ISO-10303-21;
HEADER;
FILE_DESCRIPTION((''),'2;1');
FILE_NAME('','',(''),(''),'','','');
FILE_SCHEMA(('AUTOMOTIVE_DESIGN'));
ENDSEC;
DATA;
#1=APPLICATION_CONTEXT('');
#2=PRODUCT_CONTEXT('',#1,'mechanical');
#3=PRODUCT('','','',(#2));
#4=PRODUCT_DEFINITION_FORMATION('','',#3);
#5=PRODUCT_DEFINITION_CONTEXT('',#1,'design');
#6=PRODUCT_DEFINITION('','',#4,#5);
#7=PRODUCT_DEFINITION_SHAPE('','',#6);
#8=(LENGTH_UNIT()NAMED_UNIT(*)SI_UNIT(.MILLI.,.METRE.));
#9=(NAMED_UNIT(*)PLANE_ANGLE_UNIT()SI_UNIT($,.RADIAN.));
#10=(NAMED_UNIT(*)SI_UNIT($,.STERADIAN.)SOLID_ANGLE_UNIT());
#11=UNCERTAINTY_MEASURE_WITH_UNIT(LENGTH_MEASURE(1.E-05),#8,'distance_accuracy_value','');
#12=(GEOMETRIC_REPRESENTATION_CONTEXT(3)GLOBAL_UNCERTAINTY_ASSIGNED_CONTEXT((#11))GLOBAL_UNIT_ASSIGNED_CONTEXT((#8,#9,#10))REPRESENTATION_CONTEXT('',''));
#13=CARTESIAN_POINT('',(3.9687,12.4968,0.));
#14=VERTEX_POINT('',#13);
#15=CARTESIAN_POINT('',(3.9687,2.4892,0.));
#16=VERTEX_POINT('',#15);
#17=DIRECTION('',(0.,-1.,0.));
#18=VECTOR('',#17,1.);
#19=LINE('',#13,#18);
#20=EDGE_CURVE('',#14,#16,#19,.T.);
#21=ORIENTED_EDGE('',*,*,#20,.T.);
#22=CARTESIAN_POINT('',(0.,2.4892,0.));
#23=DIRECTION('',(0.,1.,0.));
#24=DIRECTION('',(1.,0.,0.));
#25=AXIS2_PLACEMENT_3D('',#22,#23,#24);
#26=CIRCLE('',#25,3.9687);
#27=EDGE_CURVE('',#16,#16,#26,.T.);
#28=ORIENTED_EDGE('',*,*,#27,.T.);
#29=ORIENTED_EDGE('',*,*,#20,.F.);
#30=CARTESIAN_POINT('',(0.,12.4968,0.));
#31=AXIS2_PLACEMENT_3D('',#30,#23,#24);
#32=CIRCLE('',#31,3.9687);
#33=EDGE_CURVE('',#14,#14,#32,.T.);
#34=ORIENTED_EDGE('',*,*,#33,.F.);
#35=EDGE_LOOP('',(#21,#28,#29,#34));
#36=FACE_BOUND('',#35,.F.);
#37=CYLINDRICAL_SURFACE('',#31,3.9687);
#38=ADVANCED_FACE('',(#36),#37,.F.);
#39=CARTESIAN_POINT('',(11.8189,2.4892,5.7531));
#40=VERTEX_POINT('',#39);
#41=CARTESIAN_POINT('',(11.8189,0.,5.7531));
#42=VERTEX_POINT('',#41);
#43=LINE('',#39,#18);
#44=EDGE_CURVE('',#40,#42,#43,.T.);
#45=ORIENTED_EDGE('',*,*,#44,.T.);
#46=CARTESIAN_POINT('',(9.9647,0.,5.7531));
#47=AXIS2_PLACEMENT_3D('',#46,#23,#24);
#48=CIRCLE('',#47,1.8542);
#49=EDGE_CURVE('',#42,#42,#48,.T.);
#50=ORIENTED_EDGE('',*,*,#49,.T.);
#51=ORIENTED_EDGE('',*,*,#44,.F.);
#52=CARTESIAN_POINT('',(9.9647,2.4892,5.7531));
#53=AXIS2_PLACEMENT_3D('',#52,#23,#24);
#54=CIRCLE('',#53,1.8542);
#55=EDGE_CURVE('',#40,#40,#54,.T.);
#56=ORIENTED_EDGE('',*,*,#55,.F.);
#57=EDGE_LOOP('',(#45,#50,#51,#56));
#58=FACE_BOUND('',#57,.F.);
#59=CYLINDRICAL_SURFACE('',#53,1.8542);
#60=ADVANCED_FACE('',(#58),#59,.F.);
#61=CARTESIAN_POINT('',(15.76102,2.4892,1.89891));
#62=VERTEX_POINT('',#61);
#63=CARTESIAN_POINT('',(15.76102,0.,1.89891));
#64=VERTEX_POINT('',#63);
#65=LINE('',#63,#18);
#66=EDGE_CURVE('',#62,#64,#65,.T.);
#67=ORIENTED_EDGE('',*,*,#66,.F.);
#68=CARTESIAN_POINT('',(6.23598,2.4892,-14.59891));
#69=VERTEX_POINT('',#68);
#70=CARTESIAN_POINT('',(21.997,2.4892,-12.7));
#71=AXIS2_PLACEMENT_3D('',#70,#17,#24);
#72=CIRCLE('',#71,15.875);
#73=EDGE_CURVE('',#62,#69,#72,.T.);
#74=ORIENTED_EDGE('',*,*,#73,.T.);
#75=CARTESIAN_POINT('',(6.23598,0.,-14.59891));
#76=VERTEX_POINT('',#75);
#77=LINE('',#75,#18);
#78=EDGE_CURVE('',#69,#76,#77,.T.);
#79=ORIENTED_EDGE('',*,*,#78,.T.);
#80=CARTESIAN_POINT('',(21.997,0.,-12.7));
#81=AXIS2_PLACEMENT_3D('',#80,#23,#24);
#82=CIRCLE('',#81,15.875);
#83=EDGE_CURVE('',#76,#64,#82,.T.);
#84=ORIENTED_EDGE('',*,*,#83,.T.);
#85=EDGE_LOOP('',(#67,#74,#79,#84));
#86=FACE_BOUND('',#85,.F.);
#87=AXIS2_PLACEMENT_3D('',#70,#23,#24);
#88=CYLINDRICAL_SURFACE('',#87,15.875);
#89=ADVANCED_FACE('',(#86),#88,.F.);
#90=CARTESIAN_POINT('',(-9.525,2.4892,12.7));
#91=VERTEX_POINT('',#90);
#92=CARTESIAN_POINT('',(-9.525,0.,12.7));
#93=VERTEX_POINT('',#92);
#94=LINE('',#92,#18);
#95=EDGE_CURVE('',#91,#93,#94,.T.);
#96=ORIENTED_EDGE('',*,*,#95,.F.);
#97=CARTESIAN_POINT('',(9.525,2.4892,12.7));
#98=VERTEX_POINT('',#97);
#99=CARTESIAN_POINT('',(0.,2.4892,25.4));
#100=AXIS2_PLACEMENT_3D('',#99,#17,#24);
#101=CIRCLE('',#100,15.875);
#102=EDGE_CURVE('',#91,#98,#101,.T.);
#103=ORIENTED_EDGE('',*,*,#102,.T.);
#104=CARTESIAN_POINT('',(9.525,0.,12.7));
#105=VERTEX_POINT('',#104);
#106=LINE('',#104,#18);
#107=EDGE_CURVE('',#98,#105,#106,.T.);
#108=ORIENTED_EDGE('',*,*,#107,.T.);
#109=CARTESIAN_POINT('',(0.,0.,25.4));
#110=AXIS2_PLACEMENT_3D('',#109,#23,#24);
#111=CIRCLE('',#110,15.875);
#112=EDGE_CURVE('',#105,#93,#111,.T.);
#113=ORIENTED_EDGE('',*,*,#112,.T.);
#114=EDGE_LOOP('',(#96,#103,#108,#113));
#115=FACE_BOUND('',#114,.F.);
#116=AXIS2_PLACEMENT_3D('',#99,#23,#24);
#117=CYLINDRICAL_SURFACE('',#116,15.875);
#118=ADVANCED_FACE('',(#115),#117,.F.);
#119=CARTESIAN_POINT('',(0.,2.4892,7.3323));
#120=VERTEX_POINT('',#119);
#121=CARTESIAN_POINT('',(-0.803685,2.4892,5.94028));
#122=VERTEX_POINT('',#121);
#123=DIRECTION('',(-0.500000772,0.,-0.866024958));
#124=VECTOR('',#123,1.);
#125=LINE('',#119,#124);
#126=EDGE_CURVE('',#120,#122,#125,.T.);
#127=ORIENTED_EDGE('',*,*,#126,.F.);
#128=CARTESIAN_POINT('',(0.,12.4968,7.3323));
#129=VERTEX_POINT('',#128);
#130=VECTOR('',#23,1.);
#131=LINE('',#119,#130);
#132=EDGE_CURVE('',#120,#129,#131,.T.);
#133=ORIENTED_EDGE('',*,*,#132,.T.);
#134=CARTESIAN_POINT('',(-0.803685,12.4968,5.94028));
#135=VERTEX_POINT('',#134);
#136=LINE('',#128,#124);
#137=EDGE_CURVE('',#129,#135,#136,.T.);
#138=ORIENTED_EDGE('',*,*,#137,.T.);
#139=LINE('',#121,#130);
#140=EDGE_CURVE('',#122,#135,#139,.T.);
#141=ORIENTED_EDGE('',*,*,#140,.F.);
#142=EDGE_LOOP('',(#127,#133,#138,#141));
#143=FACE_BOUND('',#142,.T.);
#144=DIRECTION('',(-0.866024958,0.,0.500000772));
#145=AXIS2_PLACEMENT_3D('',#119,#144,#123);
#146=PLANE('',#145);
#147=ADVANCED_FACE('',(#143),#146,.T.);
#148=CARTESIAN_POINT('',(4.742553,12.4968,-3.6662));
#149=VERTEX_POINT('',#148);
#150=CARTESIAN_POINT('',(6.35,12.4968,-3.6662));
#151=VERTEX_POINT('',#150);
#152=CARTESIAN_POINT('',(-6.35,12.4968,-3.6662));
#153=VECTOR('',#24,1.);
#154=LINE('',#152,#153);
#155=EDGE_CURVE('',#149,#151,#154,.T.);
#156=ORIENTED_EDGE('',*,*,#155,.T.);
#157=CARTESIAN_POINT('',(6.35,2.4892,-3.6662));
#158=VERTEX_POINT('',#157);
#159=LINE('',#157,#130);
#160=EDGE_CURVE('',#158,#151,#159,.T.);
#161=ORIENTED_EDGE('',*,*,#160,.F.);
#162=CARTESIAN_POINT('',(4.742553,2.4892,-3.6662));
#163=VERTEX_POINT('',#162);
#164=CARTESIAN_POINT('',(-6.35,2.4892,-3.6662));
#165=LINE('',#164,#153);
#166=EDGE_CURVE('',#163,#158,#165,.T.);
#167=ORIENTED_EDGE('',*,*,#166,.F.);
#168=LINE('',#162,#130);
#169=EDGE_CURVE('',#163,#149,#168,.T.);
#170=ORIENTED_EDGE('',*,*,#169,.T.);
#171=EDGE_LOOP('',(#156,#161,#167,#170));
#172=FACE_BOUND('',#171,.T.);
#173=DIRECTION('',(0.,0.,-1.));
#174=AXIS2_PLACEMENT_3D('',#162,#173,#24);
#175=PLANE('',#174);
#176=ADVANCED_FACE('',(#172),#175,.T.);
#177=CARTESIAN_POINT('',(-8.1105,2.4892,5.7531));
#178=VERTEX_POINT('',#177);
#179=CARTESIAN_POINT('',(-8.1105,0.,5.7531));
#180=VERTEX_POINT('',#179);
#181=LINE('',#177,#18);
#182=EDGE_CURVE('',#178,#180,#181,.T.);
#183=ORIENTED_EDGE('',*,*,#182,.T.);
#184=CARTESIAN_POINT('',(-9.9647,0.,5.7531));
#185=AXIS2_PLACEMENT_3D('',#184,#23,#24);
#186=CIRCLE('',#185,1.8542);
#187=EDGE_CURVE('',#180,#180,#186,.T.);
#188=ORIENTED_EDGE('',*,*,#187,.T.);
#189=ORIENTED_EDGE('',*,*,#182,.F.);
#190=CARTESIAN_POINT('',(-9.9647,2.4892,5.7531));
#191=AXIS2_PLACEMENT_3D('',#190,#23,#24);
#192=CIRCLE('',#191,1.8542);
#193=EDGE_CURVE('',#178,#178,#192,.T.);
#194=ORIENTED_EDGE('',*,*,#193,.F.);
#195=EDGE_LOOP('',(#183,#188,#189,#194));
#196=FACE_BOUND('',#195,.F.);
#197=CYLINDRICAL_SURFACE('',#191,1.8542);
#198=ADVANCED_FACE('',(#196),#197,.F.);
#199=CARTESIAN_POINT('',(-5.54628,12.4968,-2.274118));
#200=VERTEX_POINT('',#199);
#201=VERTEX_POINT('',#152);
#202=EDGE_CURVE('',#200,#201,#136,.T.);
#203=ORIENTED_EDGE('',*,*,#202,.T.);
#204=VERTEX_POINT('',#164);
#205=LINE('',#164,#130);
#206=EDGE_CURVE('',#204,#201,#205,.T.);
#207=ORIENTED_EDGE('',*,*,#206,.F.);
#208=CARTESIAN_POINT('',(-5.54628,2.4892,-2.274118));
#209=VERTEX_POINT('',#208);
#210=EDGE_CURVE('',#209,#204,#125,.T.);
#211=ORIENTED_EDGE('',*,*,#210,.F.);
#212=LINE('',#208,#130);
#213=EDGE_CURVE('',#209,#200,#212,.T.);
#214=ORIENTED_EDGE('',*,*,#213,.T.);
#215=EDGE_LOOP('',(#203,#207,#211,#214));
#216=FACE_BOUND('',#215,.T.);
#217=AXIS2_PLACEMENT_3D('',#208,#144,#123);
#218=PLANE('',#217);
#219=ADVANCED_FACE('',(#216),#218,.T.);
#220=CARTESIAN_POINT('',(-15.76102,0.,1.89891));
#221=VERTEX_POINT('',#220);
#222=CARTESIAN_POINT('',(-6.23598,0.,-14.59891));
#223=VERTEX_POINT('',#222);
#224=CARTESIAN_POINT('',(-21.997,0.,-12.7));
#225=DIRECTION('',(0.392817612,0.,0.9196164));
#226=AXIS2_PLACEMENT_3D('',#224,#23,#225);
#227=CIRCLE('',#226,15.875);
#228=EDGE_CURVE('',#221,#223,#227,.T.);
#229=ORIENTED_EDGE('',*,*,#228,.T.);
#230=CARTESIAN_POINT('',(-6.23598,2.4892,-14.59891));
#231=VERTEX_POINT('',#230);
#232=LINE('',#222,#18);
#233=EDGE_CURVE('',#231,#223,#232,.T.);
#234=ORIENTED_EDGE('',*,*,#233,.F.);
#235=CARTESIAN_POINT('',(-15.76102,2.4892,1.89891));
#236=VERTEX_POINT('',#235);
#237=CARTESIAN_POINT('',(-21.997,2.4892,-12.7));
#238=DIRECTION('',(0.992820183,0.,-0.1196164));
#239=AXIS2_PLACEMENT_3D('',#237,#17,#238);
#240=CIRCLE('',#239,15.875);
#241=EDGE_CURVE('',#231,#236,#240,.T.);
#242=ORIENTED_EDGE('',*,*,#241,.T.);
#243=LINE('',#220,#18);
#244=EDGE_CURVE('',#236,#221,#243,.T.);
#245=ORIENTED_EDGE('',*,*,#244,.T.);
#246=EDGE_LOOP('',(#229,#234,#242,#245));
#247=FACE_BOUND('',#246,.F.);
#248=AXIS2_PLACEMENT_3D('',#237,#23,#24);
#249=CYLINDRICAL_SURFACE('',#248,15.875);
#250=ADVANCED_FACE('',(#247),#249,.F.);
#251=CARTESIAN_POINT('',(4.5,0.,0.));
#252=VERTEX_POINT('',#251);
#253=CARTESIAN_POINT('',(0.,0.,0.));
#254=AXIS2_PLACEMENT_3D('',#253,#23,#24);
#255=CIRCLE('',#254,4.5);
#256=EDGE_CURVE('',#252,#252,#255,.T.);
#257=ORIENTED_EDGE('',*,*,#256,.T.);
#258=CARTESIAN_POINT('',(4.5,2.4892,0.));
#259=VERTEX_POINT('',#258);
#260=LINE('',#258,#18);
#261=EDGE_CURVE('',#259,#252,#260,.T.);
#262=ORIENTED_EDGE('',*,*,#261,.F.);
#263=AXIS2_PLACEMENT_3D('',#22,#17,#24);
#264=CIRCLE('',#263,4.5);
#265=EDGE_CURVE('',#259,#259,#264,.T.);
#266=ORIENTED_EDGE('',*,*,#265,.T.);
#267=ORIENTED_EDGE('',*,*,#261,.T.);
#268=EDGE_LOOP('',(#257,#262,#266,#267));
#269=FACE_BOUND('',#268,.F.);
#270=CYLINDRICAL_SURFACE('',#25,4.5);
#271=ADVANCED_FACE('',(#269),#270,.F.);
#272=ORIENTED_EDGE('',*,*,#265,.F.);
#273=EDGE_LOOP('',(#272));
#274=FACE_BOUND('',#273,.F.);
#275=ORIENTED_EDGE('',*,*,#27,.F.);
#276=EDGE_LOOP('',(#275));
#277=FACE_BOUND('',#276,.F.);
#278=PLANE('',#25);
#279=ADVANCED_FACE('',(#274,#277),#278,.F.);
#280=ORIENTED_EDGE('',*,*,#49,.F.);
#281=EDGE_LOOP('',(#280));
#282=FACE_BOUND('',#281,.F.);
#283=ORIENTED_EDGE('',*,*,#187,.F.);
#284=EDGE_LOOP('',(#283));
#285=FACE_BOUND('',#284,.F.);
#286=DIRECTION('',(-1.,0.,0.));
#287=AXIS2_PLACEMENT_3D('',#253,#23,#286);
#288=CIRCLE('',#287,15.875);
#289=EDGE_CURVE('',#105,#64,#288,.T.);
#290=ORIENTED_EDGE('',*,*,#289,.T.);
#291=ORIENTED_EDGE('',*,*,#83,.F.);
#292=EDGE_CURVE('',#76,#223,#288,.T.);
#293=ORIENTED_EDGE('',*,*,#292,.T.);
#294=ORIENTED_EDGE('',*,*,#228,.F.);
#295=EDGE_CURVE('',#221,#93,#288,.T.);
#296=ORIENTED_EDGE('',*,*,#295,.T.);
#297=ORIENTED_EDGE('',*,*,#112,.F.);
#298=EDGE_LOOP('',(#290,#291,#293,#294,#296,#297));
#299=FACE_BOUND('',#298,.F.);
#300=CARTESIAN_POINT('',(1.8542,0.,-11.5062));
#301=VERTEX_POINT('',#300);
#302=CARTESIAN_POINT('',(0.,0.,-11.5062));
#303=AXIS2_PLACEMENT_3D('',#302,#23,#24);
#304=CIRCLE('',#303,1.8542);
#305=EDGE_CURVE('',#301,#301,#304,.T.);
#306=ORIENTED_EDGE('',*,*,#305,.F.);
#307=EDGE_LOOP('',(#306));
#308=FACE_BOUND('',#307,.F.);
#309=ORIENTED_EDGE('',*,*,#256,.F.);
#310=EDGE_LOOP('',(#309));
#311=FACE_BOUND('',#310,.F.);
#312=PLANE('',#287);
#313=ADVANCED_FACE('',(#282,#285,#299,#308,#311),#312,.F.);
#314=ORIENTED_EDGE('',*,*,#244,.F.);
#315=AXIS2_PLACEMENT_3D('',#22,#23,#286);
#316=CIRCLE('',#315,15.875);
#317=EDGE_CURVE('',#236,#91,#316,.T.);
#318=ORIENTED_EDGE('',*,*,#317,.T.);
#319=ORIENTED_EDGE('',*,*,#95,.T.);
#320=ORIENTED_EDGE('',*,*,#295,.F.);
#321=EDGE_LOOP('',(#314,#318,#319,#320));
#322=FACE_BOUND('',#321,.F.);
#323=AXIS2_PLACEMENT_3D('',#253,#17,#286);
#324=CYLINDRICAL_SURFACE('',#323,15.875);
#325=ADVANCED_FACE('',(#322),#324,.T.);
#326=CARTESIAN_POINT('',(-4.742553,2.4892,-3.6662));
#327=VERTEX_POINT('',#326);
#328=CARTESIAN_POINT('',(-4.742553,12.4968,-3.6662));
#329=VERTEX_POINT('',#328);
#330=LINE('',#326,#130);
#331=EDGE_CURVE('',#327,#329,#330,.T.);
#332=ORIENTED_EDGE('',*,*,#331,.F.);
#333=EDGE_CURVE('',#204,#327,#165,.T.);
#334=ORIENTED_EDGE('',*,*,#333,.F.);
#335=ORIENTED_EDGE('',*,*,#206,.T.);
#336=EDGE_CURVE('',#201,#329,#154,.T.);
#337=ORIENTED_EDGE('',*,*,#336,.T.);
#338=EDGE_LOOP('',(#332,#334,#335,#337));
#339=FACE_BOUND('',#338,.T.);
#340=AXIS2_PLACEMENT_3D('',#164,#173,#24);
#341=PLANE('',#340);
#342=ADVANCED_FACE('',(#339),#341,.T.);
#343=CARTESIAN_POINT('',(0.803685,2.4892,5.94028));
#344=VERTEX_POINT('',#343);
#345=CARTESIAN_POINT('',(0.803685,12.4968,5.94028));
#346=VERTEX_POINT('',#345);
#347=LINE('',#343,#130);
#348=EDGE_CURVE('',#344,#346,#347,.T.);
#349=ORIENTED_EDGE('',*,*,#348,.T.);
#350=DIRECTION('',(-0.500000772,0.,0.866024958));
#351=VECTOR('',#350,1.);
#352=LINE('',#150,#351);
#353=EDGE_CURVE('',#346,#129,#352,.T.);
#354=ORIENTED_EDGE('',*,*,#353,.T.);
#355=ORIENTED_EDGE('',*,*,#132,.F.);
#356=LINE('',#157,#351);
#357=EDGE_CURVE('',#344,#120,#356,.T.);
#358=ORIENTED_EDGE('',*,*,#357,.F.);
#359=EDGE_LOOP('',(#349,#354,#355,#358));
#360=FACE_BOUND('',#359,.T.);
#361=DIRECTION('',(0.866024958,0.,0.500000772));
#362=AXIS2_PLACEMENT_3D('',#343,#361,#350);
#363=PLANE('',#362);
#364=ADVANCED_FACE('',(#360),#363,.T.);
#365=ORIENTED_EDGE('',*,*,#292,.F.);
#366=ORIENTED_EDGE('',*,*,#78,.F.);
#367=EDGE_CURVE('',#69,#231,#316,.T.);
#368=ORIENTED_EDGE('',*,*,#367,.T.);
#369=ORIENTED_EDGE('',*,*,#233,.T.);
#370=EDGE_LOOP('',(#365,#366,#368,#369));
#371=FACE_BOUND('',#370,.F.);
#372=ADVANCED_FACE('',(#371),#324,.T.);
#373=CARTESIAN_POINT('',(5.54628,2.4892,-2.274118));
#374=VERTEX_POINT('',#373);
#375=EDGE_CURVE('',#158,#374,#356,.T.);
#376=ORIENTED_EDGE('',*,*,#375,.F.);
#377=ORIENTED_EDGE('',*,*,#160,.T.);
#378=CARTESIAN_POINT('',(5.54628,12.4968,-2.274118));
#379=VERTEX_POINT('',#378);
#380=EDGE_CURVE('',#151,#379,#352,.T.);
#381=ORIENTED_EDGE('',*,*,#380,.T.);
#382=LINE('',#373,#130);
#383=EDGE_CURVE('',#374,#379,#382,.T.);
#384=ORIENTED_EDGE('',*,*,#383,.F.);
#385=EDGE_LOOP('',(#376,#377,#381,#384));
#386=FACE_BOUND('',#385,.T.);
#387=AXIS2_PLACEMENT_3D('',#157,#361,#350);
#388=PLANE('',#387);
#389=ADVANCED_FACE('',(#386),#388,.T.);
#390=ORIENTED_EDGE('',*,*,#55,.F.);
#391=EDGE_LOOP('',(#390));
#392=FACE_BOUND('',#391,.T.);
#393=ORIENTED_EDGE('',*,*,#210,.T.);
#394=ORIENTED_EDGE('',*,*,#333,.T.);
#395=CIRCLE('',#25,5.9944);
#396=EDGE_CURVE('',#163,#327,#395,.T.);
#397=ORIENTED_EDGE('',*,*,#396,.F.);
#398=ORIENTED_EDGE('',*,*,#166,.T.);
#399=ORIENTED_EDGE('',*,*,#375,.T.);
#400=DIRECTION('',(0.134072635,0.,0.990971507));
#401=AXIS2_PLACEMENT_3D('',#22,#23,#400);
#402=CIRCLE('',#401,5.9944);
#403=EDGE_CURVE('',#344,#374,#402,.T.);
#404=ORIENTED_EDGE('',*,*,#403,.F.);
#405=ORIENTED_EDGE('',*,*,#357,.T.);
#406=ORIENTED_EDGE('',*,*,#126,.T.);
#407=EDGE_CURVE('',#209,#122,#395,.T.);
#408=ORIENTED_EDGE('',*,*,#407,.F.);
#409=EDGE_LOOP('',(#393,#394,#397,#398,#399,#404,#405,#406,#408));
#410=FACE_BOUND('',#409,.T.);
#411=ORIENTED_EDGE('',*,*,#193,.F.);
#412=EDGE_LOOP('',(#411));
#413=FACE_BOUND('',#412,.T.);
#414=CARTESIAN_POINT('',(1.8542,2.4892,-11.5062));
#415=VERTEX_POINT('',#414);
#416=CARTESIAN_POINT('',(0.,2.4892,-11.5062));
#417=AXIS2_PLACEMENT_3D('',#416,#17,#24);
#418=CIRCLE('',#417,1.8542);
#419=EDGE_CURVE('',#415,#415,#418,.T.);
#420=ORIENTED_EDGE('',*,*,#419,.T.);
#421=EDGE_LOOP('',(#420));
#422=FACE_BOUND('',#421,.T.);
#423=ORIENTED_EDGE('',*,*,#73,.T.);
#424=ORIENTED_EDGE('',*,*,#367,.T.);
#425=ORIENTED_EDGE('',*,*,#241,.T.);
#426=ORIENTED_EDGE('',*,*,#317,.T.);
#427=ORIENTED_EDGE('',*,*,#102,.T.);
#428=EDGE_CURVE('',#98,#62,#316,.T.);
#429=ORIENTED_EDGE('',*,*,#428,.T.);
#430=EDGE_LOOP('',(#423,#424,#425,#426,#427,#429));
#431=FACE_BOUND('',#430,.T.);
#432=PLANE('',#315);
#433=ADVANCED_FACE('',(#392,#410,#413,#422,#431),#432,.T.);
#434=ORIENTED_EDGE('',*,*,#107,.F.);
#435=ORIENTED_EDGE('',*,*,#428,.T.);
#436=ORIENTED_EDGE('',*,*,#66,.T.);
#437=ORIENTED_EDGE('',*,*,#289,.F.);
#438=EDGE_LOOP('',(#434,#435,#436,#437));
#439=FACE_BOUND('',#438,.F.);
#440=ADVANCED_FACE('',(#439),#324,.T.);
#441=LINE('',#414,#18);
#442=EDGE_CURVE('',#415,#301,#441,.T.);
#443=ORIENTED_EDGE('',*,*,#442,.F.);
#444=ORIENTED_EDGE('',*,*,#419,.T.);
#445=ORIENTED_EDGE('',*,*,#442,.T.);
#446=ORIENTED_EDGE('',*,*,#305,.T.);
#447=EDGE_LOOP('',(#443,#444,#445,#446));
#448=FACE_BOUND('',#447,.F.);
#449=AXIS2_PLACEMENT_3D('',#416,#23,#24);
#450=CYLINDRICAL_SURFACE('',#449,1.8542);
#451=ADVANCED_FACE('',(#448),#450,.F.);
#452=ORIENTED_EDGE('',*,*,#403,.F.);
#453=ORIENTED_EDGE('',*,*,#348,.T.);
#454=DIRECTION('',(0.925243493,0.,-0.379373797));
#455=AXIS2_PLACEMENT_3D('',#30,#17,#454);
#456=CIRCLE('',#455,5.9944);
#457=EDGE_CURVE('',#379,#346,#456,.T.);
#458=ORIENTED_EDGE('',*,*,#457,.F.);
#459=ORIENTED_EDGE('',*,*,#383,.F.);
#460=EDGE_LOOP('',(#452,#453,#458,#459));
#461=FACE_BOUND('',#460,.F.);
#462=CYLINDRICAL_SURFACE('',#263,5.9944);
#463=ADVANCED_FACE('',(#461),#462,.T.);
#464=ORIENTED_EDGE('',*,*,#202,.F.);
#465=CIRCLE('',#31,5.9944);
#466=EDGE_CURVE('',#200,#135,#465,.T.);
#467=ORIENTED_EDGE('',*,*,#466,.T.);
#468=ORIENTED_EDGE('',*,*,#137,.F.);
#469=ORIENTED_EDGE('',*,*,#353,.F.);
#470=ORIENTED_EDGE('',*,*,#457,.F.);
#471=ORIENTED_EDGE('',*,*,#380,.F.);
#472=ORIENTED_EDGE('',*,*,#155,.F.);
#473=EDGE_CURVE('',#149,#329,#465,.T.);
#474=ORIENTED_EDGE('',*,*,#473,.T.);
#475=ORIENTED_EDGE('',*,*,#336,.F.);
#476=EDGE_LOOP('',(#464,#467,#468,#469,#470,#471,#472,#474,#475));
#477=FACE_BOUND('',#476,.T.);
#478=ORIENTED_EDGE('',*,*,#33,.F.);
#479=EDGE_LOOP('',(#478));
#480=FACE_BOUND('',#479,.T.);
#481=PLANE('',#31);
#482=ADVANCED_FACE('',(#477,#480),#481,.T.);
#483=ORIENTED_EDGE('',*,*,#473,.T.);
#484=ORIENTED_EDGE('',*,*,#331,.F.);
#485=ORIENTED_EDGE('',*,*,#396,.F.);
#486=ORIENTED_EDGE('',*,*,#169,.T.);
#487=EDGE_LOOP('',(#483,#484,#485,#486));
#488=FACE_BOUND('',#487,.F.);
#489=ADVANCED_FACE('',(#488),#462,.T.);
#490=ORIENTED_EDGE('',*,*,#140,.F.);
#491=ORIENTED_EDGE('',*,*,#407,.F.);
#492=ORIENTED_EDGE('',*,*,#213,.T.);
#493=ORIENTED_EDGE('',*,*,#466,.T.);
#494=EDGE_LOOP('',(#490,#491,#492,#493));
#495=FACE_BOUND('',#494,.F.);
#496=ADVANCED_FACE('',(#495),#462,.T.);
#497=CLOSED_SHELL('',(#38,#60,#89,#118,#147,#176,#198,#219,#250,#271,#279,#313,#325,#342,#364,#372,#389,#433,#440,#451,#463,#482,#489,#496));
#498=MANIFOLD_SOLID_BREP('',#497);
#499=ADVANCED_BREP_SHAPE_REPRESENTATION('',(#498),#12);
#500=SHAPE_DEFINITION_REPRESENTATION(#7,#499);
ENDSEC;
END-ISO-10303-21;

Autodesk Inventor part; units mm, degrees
ref_plane "YZ Plane" through (0, 0, 0) normal (1, 0, 0) x (0, 1, 0)
ref_plane "XZ Plane" through (0, 0, 0) normal (0, 1, 0) x (-1, 0, 0)
ref_plane "XY Plane" through (0, 0, 0) normal (0, 0, 1) x (1, 0, 0)
sketch "Sketch1" plane through (0, 0, 0) normal (0, 1, 0) x (-1, 0, 0)
  circle A0 centre (0, 0) radius 15.875
  dimension "d0" = 31.75
extrude "Extrusion1" add sketch "Sketch1" along normal blind 2.4892
sketch "Sketch2" plane through (0, 2.4892, 0) normal (0, 1, 0) x (1, 0, 0)
  circle A0 centre (0, 0) radius 15.875 projected
  circle A1 centre (0, 11.5062) radius 1.8542
  line L0 (0, 0) -> (0, 15.875)
  circle A2 centre (-9.9647, -5.7531) radius 1.8542
  circle A3 centre (9.9647, -5.7531) radius 1.8542
  circle A4 centre (0, -25.4) radius 15.875
  line L1 (0, 0) -> (0, -25.4)
  circle A5 centre (21.997, 12.7) radius 15.875
  circle A6 centre (-21.997, 12.7) radius 15.875
  dimension "d3" = 3.7084
  dimension "d4" = 11.5062
  dimension "d7" = 360
  dimension "d9" = 31.75
  dimension "d10" = 25.4
  dimension "d13" = 360
extrude "Extrusion2" cut sketch "Sketch2" against normal through all contours A0 A5 | A0 A5 | A4 A0 | A0 L1 A4 | A6 A0 | A0 A6 | A0 A4 L1
sketch "Sketch6" plane through (0, 2.4892, 0) normal (0, 1, 0) x (1, 0, 0)
  arc A0 (-15.761, -1.8989) -> (-9.525, -12.7) centre (0, 0) ccw projected
  arc A1 (6.236, 14.5989) -> (-6.236, 14.5989) centre (0, 0) ccw projected
  line L0 (0, 0) -> (0, 11.5062)
  circle A2 centre (0, 11.5062) radius 1.8542
  circle A3 centre (-9.9647, -5.7531) radius 1.8542
  circle A4 centre (9.9647, -5.7531) radius 1.8542
  arc A5 (9.525, -12.7) -> (15.761, -1.8989) centre (0, 0) ccw projected
  circle A6 centre (0, 0) radius 4.5
  dimension "d26" = 11.5062
  dimension "d27" = 3.7084
  dimension "d30" = 360
  dimension "d34" = 9
extrude "Extrusion5" cut sketch "Sketch6" against normal through all
sketch "Sketch3" plane through (0, 2.4892, 0) normal (0, 1, 0) x (1, 0, 0)
  arc A0 (9.525, -12.7) -> (15.761, -1.8989) centre (0, 0) ccw projected
  circle A1 centre (0, 0) radius 5.9944
  line L0 (0, -7.3323) -> (-6.35, 3.6662)
  line L1 (-6.35, 3.6662) -> (6.35, 3.6662)
  line L2 (6.35, 3.6662) -> (0, -7.3323)
  line L3 (0, 0) -> (0, -8.4562)
  dimension "d17" = 11.9888
  dimension "d18" = 12.7
extrude "Extrusion3" add sketch "Sketch3" along normal blind 10.0076
sketch "Sketch4" plane through (0, 12.4968, 0) normal (0, 1, 0) x (1, 0, 0)
  arc A0 (-5.5463, 2.2741) -> (-0.8037, -5.9403) centre (0, 0) ccw projected
  circle A1 centre (0, 0) radius 3.9687
  dimension "d21" = 7.9375
extrude "Extrusion4" cut sketch "Sketch4" against normal through all
thread "Thread1" size "5/16-18 UNC" class "2B" standard "ANSI Unified Screw Threads" full length
properties part number "5_16_18_tee_nut"
